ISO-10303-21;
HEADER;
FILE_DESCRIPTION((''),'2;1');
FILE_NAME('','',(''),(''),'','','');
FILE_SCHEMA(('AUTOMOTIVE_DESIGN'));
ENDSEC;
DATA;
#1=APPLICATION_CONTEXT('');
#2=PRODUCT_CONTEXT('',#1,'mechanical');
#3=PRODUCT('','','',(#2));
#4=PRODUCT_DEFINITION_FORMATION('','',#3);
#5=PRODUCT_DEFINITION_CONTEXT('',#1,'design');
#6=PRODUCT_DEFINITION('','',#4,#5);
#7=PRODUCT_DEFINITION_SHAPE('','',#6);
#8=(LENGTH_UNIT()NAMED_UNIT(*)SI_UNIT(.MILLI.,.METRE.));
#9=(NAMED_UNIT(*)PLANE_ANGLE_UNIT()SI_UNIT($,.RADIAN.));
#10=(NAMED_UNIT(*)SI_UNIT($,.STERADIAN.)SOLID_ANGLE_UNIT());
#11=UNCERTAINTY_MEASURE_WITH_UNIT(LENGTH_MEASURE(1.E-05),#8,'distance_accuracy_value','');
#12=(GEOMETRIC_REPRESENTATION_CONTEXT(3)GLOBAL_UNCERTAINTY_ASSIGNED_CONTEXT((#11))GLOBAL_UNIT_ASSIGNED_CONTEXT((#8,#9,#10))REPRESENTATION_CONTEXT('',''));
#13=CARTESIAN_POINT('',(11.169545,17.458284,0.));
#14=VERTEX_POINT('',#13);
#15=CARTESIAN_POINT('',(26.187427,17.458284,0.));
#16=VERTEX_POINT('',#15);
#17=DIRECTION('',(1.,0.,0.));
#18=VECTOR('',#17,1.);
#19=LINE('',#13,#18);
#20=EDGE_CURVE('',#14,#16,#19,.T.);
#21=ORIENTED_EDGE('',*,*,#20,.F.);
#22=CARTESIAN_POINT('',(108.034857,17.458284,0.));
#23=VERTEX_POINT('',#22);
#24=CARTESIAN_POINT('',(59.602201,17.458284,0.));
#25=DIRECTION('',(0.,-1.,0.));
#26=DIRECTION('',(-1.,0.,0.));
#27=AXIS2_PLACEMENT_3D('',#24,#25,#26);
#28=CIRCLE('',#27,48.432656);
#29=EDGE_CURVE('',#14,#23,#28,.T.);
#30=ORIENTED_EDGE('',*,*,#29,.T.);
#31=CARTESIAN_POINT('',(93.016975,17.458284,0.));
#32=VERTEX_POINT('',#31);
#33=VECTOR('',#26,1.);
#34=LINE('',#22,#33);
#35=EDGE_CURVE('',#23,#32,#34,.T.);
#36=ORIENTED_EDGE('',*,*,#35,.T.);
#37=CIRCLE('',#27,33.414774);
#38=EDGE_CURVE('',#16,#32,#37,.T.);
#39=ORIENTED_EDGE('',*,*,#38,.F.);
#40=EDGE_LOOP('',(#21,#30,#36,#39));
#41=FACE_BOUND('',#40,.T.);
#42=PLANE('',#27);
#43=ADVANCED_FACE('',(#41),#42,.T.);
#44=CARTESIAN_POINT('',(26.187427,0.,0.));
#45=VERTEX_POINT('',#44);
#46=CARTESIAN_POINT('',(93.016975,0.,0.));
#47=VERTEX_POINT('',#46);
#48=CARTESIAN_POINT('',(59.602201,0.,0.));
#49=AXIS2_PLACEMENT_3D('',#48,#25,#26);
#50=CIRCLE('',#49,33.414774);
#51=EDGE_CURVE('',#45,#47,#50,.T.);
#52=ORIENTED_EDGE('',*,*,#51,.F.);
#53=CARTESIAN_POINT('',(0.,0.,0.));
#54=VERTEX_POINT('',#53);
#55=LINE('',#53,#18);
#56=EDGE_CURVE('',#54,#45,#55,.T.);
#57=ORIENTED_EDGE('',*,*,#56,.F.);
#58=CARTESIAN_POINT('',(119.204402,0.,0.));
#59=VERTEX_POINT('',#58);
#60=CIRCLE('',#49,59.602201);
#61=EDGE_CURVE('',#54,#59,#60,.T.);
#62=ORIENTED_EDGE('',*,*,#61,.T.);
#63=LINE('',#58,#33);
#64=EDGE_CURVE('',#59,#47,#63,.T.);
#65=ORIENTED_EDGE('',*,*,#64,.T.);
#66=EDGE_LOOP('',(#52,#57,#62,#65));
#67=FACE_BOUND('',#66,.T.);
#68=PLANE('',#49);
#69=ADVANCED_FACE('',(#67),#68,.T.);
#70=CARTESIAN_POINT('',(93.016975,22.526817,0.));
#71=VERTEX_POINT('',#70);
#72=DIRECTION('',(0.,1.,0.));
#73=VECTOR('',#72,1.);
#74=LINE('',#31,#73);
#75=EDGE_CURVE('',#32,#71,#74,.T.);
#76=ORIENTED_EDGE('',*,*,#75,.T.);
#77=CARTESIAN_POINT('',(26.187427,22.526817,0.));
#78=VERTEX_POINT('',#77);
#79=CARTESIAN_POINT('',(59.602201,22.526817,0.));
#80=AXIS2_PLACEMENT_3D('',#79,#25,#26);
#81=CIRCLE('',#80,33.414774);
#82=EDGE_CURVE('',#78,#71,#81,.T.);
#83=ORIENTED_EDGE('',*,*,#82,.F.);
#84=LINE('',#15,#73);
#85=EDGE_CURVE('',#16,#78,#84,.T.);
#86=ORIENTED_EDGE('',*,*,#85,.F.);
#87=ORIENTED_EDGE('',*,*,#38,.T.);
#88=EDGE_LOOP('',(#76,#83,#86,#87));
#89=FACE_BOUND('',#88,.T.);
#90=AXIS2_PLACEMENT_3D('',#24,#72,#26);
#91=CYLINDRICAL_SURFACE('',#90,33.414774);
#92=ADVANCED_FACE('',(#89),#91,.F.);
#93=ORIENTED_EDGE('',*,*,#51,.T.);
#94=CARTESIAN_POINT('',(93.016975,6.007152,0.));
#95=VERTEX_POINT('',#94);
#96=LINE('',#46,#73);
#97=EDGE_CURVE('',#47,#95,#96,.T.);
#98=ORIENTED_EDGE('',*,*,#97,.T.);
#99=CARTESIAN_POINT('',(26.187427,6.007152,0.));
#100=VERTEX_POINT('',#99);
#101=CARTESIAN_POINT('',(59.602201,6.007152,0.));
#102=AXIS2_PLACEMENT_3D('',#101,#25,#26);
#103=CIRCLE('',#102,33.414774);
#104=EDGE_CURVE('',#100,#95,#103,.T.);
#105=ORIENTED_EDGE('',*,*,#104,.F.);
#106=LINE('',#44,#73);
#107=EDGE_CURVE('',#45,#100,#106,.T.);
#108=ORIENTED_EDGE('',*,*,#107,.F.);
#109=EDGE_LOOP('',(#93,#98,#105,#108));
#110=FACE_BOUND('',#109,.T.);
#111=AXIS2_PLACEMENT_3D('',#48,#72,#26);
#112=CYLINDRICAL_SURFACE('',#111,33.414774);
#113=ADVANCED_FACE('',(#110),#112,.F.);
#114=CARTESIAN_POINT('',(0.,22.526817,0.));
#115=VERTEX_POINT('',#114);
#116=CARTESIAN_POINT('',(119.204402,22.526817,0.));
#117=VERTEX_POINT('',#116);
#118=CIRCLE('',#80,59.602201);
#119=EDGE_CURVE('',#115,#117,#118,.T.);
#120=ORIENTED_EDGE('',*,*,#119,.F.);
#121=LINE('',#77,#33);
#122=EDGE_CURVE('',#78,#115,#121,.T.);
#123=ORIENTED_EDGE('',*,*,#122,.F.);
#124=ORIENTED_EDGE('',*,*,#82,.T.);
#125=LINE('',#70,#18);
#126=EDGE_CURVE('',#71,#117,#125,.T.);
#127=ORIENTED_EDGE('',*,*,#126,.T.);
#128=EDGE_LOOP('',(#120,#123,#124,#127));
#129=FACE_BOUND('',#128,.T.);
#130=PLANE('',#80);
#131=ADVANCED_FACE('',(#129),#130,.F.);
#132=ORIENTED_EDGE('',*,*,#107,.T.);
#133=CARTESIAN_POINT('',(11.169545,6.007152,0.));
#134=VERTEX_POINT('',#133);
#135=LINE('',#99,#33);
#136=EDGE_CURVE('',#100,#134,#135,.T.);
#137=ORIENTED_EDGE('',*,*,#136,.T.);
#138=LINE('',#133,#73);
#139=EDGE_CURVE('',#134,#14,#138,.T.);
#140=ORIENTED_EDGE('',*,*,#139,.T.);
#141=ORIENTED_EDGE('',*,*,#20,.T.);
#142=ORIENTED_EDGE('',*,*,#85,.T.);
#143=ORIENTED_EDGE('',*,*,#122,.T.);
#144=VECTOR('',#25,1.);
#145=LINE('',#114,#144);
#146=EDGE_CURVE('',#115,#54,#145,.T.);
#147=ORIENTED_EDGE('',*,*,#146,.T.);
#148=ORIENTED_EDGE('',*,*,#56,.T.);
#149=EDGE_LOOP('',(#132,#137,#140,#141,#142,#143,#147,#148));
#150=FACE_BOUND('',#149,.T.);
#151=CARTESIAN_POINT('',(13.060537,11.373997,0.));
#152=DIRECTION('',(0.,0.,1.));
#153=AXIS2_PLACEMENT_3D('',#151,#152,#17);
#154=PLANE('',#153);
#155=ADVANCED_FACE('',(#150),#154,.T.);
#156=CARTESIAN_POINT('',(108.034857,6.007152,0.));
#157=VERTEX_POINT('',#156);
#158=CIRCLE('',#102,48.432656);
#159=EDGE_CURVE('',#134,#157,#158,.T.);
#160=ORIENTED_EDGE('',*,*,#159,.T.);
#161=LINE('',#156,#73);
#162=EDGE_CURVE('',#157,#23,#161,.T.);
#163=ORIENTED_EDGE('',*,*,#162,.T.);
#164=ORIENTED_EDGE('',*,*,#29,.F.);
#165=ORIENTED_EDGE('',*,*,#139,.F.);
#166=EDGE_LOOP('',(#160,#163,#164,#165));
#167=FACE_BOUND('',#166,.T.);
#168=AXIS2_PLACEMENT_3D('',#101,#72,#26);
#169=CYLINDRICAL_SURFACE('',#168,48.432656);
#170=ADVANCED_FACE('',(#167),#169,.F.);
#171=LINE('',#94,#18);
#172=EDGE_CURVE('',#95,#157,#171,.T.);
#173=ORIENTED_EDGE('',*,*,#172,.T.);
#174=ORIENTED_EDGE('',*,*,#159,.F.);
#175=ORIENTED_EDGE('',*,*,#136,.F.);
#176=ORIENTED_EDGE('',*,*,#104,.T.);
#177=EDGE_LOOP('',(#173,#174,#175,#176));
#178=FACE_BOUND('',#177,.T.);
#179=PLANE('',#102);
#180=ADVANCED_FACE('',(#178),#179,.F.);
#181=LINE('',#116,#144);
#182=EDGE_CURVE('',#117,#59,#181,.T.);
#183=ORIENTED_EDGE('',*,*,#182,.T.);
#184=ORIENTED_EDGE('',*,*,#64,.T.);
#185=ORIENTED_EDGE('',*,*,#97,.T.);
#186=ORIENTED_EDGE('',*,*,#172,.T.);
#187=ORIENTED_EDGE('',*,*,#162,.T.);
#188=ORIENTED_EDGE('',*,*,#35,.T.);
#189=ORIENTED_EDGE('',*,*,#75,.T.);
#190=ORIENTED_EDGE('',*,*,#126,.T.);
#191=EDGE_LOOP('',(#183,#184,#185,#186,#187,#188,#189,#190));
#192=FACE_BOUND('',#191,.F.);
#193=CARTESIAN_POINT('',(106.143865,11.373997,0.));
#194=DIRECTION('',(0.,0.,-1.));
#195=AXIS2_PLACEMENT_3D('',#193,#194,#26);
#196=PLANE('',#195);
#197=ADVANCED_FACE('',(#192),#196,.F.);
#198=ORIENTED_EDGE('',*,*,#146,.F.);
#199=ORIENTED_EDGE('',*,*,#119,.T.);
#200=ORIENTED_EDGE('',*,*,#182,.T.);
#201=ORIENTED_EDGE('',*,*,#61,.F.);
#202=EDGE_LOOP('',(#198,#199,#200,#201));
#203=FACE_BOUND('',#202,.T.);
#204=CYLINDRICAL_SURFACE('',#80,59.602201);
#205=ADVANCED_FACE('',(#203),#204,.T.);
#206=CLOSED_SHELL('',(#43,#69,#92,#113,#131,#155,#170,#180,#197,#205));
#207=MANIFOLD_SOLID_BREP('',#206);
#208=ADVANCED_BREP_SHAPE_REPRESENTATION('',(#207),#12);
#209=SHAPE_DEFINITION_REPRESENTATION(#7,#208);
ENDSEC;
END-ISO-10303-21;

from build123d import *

# Parameters (mm, degrees)
F1_ANGLE = 180


with BuildPart() as f1:
    # F0 (on Top) → F1 (revolve)
    with BuildSketch(Plane.XY):
        Polygon((26.187427, 22.526817), (0, 22.526817), (0, 0), (26.187427, 0), (26.187427, 6.007152), (11.169545, 6.007152), (11.169545, 17.458284), (26.187427, 17.458284), align=None)
    revolve(axis=Axis((59.602201, 7.03963, 0), (0, -1, 0)), revolution_arc=F1_ANGLE)


solid = f1.part
